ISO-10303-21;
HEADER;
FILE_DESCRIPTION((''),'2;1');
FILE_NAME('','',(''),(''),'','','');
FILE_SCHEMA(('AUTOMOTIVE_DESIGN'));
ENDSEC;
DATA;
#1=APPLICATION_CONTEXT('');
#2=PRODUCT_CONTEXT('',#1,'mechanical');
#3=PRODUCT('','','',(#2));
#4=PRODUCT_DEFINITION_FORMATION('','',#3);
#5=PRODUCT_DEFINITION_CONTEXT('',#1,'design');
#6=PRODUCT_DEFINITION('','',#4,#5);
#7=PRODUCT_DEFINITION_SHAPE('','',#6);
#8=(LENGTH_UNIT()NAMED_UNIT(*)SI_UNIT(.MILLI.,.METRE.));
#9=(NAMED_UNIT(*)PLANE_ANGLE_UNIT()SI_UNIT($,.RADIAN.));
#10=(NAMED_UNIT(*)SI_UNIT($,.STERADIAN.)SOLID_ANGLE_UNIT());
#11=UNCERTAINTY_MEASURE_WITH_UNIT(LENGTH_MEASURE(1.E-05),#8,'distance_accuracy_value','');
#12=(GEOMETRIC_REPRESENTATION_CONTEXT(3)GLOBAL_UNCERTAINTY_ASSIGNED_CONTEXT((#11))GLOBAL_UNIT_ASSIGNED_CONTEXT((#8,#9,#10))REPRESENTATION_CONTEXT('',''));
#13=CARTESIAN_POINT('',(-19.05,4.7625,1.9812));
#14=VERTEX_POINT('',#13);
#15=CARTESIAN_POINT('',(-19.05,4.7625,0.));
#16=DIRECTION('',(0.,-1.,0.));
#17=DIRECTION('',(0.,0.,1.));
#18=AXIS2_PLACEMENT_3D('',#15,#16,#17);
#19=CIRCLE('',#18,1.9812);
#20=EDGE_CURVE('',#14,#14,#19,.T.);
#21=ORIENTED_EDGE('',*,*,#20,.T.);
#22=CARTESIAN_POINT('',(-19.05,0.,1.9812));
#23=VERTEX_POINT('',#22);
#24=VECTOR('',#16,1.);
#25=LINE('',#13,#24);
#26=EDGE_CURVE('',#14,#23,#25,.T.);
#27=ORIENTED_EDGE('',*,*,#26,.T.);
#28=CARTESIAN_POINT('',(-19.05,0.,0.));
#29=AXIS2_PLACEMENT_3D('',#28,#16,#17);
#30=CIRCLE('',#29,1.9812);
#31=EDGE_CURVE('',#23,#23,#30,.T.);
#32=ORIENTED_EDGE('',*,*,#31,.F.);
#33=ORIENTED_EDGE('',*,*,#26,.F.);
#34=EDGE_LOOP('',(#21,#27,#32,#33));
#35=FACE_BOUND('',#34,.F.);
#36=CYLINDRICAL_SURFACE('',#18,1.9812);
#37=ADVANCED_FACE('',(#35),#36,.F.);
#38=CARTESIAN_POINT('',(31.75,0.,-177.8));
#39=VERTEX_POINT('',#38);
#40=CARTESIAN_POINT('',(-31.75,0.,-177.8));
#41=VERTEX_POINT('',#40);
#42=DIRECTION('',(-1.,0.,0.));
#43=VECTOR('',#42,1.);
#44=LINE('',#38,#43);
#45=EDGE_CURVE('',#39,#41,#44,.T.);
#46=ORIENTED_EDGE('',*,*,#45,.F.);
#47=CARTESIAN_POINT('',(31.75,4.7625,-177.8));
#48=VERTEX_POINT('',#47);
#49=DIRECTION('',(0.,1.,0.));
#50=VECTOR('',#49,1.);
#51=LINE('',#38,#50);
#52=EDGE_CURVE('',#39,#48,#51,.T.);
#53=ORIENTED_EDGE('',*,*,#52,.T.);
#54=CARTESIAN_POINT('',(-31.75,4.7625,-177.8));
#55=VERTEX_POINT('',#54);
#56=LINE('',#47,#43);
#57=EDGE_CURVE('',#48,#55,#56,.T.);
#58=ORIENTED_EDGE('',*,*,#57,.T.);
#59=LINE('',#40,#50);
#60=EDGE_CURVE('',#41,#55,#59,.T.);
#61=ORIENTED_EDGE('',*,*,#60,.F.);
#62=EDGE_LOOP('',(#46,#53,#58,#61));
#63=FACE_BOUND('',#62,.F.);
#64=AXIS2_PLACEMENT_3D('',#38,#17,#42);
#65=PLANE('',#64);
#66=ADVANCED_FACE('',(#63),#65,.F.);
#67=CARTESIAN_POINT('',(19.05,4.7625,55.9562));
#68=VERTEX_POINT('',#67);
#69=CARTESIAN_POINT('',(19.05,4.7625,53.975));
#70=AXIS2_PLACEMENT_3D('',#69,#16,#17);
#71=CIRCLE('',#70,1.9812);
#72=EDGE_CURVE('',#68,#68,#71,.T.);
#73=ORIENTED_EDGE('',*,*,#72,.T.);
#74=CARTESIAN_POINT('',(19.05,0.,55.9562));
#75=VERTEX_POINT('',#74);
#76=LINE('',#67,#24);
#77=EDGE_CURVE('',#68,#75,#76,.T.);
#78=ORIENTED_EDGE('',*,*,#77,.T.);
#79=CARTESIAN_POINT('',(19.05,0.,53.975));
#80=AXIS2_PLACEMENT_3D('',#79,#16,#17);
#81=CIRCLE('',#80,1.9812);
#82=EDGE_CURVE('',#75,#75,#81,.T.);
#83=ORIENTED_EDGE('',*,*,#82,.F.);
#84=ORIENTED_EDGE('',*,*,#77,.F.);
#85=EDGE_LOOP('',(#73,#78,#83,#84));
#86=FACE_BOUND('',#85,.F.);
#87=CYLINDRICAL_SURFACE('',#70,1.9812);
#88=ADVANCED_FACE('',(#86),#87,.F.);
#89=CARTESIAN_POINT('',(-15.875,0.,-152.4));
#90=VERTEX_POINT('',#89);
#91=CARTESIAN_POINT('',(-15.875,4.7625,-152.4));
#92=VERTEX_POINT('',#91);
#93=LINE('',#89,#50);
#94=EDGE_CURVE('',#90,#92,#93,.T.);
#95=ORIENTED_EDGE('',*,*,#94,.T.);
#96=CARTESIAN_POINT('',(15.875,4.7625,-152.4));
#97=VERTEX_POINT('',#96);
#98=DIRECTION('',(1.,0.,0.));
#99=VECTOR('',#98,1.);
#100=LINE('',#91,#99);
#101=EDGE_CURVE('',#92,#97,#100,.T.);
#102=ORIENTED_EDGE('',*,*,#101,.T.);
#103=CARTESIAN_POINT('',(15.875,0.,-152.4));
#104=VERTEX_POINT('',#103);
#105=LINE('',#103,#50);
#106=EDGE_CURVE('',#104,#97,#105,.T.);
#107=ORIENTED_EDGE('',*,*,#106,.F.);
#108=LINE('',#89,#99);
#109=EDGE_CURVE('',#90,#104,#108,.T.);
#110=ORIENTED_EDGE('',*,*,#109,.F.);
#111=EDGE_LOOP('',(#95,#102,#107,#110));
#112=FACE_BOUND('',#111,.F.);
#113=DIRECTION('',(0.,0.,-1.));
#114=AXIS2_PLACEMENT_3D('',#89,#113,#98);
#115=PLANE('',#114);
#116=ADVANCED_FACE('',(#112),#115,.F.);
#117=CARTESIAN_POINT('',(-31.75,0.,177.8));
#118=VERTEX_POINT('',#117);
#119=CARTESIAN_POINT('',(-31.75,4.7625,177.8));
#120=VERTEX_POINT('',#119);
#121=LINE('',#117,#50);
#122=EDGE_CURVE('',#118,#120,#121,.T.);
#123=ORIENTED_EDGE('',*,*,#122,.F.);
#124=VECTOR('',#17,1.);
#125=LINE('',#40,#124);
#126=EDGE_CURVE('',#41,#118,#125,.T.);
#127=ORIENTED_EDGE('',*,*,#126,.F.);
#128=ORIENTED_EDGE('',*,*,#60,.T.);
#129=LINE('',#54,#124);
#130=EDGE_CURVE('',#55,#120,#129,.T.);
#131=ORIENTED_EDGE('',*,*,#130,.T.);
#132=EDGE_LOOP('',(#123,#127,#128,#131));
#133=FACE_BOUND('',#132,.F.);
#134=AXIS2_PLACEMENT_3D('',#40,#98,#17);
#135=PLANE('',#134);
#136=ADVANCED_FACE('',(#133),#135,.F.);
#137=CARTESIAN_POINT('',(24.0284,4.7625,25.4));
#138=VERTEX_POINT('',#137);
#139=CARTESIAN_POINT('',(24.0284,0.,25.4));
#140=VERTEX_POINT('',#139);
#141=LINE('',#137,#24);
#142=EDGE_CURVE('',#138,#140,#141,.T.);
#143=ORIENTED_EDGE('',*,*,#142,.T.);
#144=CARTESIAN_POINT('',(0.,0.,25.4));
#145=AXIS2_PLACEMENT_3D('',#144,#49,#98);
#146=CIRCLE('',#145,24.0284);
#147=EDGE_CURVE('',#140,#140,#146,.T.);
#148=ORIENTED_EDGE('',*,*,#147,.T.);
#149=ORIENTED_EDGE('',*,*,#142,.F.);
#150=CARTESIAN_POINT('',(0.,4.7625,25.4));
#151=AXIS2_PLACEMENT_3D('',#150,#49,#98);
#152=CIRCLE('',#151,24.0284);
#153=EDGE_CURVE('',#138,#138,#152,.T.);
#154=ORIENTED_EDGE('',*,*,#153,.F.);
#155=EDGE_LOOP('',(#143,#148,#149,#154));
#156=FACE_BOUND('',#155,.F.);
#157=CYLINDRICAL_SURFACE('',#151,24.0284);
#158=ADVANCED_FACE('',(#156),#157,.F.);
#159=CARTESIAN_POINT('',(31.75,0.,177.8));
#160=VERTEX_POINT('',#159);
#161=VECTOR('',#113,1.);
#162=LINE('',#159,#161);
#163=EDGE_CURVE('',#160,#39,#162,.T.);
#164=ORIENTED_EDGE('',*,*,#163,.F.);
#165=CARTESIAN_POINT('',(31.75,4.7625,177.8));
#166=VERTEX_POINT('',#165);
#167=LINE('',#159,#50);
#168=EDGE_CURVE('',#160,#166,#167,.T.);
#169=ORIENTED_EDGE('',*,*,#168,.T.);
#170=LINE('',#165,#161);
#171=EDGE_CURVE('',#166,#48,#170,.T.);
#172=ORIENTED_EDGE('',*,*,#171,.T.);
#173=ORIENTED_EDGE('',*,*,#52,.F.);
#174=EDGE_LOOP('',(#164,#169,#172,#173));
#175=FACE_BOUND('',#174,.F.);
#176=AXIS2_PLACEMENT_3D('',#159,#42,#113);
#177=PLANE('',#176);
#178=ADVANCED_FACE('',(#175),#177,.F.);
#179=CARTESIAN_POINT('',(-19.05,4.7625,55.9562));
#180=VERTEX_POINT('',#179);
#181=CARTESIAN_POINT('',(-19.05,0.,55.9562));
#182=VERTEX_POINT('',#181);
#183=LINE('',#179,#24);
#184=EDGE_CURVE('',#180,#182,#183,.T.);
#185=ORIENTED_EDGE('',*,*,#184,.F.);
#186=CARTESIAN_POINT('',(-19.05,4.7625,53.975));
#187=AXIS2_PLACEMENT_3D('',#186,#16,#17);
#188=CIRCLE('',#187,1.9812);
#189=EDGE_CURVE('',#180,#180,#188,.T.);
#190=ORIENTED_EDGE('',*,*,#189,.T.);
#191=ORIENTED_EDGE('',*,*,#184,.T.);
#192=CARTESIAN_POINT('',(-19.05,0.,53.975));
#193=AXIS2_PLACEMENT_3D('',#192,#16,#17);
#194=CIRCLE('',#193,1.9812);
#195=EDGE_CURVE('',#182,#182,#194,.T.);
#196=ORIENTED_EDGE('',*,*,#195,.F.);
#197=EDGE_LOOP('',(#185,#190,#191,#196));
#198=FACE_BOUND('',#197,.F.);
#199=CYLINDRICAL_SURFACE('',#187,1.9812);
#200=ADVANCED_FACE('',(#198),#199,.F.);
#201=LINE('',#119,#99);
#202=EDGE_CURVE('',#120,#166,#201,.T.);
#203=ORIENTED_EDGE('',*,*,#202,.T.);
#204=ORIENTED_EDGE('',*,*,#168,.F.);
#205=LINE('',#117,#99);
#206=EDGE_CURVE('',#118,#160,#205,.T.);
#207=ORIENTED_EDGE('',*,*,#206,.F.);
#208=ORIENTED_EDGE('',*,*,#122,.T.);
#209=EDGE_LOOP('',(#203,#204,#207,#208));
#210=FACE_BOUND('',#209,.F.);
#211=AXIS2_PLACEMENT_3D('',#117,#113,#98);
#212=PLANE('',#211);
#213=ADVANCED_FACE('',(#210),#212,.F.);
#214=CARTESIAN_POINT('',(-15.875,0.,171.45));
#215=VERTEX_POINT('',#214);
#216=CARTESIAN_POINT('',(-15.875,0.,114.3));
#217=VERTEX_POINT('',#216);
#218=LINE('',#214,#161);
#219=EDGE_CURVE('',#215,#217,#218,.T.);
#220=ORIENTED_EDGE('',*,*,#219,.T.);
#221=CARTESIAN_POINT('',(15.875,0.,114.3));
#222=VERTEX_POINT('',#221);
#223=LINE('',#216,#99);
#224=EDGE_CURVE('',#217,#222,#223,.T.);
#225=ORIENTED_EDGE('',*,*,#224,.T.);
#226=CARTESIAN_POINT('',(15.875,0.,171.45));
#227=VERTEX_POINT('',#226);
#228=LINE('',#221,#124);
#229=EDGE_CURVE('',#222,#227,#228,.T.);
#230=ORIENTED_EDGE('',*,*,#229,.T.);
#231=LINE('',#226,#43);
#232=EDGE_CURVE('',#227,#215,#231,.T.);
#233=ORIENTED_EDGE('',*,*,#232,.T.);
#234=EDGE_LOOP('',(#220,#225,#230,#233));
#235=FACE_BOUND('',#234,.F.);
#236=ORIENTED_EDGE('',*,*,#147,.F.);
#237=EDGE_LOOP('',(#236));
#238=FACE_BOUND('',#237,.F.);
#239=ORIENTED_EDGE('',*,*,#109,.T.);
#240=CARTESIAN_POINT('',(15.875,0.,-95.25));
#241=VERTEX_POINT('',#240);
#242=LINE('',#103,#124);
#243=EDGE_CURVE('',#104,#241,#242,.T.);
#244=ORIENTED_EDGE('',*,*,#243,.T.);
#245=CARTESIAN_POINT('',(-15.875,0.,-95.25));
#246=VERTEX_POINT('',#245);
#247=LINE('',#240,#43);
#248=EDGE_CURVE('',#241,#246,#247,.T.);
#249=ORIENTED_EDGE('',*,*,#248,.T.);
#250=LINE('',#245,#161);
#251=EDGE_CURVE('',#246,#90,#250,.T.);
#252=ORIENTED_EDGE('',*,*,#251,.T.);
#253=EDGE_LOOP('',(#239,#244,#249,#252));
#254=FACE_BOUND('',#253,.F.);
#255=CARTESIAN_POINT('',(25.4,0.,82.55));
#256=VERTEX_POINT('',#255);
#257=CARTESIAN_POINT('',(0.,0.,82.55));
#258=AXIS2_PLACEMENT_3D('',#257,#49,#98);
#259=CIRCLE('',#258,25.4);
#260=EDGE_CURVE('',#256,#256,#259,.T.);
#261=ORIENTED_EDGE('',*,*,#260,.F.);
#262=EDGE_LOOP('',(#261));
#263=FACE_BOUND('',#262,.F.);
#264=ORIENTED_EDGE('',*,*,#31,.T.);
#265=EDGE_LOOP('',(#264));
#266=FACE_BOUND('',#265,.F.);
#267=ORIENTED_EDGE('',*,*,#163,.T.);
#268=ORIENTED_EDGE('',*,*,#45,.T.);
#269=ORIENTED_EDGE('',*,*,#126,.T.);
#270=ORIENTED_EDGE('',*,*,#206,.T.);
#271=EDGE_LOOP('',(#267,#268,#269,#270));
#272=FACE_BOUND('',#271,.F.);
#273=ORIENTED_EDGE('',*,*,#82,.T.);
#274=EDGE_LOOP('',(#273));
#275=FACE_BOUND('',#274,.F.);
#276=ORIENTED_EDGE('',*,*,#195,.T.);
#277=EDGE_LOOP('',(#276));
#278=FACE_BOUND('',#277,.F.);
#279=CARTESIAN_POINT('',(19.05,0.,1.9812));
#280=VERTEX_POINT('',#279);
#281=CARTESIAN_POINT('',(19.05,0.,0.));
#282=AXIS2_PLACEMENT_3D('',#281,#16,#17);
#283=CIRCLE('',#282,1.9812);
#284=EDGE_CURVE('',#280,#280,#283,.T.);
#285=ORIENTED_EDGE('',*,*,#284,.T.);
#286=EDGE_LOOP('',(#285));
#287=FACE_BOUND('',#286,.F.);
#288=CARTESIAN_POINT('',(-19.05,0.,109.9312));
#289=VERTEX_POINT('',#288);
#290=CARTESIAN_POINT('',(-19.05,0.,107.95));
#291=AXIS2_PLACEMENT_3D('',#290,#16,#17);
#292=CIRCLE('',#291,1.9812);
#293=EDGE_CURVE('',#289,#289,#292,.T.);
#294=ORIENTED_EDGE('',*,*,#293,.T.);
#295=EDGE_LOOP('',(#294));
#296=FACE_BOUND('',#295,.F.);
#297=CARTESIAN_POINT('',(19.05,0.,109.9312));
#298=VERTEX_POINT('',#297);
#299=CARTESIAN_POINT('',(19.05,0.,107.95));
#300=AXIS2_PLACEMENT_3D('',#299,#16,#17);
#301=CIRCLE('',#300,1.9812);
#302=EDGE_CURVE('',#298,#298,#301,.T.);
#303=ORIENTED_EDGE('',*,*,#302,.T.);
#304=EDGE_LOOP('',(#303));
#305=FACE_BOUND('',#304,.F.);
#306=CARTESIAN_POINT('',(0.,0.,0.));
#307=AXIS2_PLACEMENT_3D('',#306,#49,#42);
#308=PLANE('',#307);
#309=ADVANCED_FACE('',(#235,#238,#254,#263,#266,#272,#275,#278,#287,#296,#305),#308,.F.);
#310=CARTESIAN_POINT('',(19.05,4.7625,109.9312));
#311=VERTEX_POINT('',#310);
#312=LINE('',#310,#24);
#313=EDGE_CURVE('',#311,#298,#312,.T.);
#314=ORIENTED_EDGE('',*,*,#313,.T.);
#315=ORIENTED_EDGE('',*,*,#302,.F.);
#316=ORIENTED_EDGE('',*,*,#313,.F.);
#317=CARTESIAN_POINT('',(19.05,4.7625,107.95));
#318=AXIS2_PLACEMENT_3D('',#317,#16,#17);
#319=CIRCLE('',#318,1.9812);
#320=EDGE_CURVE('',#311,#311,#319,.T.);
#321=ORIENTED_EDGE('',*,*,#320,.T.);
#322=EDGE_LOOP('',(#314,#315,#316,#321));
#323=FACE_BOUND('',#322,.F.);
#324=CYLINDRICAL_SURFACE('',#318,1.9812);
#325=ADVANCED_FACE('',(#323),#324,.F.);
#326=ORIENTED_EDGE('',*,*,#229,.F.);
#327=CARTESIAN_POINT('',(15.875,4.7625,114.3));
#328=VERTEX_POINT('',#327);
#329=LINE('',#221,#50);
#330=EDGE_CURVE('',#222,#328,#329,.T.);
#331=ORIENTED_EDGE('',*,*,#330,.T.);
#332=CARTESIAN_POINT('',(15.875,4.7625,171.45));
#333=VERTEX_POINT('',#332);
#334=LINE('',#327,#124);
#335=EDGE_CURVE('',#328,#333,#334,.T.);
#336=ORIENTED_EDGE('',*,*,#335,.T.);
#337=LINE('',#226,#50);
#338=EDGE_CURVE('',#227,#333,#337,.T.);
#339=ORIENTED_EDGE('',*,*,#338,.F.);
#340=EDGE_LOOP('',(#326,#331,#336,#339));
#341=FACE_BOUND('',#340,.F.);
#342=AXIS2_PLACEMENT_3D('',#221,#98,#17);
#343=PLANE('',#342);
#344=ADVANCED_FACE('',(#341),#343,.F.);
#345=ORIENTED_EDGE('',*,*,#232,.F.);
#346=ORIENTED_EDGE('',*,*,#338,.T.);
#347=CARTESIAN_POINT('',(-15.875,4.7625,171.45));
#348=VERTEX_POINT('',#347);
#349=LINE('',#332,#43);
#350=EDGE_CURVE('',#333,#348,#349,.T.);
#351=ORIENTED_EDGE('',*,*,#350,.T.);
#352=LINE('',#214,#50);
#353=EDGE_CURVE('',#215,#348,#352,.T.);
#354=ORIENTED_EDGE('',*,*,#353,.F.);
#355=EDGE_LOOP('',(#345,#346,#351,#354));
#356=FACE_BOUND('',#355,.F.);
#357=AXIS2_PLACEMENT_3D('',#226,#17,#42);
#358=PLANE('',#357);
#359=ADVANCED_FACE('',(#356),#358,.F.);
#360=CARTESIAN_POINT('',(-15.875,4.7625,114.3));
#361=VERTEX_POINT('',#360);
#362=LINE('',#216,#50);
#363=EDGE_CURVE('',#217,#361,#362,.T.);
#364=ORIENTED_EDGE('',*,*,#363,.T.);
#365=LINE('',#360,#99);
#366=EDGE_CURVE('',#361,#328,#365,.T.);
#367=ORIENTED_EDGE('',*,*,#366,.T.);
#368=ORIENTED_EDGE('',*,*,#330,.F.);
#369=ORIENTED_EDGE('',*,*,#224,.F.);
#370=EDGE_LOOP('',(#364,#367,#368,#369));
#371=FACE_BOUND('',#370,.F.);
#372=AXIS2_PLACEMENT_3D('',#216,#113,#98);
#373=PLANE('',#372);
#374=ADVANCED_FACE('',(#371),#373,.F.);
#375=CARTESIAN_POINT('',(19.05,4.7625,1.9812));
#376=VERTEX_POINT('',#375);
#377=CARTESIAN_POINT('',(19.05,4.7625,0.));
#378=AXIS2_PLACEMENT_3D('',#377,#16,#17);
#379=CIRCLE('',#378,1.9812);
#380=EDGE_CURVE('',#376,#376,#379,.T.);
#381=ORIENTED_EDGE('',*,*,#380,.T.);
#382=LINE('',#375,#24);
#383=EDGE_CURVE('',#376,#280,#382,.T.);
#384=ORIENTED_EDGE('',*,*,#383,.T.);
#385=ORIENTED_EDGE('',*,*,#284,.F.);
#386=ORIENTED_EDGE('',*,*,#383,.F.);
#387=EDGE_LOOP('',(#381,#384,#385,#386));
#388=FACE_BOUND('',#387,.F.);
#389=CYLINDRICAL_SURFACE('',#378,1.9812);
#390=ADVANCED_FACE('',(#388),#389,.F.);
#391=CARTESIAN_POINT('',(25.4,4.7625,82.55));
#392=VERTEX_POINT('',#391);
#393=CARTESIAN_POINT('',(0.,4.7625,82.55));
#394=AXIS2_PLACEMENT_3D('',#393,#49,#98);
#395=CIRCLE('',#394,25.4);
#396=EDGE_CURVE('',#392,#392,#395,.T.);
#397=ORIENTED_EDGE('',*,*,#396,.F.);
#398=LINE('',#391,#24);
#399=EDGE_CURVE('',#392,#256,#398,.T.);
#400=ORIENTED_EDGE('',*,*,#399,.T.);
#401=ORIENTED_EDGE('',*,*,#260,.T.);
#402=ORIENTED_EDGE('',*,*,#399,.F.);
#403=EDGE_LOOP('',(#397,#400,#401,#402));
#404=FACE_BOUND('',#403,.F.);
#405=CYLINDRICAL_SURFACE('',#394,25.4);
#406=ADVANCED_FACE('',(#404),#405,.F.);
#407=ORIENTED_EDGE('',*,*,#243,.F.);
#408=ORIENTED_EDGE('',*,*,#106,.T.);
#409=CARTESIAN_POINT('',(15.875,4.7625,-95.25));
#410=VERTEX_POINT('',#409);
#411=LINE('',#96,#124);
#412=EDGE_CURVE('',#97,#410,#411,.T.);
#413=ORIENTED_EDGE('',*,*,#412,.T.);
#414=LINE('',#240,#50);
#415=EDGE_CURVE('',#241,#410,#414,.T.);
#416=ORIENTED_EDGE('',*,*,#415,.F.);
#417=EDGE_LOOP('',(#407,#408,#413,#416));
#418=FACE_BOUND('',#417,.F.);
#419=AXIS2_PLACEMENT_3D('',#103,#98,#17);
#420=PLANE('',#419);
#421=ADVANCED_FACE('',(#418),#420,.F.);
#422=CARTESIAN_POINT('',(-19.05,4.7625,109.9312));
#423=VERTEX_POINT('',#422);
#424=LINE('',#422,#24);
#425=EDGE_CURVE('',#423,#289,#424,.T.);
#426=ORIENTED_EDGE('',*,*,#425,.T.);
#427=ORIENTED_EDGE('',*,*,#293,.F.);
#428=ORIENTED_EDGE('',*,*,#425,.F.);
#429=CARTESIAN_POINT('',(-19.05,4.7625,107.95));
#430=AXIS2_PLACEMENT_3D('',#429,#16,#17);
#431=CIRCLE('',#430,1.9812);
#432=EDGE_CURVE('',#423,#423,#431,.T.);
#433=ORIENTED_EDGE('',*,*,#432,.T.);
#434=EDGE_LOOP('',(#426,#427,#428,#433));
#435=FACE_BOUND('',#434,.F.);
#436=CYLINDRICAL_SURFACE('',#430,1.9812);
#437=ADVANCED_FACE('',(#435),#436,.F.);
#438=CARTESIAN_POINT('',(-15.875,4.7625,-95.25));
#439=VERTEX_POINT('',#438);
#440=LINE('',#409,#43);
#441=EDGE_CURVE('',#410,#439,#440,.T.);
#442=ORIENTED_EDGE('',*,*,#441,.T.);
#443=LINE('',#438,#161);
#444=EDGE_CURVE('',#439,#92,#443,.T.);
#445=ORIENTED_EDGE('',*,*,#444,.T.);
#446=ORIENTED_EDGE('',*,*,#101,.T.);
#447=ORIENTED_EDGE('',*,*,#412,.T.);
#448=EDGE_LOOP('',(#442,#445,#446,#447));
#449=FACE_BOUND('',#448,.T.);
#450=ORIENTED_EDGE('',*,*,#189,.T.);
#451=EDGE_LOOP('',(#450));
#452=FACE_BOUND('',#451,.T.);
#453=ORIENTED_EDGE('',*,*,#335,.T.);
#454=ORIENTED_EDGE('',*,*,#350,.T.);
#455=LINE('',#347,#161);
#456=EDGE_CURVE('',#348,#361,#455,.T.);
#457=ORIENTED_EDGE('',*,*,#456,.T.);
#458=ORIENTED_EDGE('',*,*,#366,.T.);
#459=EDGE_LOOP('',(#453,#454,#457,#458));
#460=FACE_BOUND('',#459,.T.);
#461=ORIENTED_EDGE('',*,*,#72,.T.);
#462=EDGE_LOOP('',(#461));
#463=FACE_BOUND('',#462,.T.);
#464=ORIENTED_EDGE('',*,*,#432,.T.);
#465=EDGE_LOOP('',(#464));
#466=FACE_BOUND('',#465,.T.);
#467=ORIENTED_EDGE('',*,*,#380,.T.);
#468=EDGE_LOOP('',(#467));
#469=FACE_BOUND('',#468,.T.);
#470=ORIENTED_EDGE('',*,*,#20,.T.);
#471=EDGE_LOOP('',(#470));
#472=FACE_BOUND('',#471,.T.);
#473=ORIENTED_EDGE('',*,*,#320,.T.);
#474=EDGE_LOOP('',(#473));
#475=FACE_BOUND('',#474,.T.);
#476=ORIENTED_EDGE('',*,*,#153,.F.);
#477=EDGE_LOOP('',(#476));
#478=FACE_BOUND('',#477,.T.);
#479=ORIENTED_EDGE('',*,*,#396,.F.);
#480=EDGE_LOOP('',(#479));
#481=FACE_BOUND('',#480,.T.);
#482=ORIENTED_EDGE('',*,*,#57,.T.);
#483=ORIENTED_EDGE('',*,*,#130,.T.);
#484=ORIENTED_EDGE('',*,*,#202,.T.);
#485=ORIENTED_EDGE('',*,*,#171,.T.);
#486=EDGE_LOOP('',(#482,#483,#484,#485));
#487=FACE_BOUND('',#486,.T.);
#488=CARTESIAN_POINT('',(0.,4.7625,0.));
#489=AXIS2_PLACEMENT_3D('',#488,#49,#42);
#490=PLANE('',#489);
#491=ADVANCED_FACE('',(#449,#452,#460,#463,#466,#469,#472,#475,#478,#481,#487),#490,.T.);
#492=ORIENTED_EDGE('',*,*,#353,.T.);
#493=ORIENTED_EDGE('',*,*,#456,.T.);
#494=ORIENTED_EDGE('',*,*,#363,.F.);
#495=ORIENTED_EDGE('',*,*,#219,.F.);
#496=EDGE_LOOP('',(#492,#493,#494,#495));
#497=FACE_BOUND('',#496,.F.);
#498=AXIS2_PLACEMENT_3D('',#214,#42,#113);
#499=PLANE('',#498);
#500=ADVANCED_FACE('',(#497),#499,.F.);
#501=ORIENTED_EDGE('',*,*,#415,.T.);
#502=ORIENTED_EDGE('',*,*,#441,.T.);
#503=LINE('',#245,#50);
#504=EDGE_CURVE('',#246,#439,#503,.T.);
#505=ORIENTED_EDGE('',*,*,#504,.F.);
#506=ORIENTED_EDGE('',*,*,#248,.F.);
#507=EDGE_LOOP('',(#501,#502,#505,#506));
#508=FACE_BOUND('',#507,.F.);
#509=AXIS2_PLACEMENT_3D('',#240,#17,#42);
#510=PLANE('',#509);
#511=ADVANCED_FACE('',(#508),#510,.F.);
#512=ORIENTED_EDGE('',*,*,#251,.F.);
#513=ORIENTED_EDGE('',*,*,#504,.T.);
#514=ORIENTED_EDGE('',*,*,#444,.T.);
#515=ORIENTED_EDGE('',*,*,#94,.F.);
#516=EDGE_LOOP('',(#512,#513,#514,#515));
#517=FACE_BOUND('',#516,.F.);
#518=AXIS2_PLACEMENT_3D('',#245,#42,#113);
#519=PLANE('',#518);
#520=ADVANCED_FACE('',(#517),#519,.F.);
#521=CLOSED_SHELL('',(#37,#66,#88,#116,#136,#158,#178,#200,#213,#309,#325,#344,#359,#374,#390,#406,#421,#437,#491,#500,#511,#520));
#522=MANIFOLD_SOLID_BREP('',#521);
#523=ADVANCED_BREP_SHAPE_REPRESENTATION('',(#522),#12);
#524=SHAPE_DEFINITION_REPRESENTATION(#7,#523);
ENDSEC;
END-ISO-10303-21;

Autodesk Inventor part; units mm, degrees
ref_plane "YZ Plane" through (0, 0, 0) normal (1, 0, 0) x (0, 1, 0)
ref_plane "XZ Plane" through (0, 0, 0) normal (0, 1, 0) x (-1, 0, 0)
ref_plane "XY Plane" through (0, 0, 0) normal (0, 0, 1) x (1, 0, 0)
sketch "Sketch1" plane through (0, 0, 0) normal (0, 1, 0) x (-1, 0, 0)
  line L0 (-31.75, -177.8) -> (31.75, -177.8)
  line L1 (31.75, -177.8) -> (31.75, 177.8)
  line L2 (31.75, 177.8) -> (-31.75, 177.8)
  line L3 (-31.75, 177.8) -> (-31.75, -177.8)
  line L4 (-31.75, -177.8) -> (31.75, 177.8) construction
  line L5 (31.75, -177.8) -> (-31.75, 177.8) construction
  line L6 (15.875, -152.4) -> (-15.875, -152.4)
  line L7 (-15.875, -152.4) -> (-15.875, -95.25)
  line L8 (-15.875, -95.25) -> (15.875, -95.25)
  line L9 (15.875, -95.25) -> (15.875, -152.4)
  line L10 (-15.875, 171.45) -> (15.875, 171.45)
  line L11 (15.875, 171.45) -> (15.875, 114.3)
  line L12 (15.875, 114.3) -> (-15.875, 114.3)
  line L13 (-15.875, 114.3) -> (-15.875, 171.45)
  point P0 (0, 0)
  point P1 (0, -95.25)
  point P2 (0, 114.3)
  dimension "d0" = 31.75
  dimension "d1" = 57.15
  dimension "d2" = 355.6
  dimension "d3" = 25.4
  dimension "d4" = 63.5
  dimension "d6" = 6.35
extrude "Plate1" add sketch "Sketch1" along normal blind 4.7625
sketch "Sketch2" plane through (0, 4.7625, 0) normal (0, 1, 0) x (1, 0, 0)
  circle A0 centre (0, -82.55) radius 25.4
  circle A1 centre (0, -25.4) radius 24.0284
  point P0 (0, 0)
  dimension "d7" = 50.8
  dimension "d8" = 82.55
  dimension "d9" = 48.0568
  dimension "d10" = 57.15
extrude "Cut1" cut sketch "Sketch2" against normal blind 4.7625
sketch "Sketch3" plane through (0, 4.7625, 0) normal (0, 1, 0) x (1, 0, 0)
  line L0 (31.75, 177.8) -> (31.75, -177.8) construction
  line L1 (31.75, -177.8) -> (-31.75, -177.8) construction
  circle A0 centre (0, -82.55) radius 25.4 projected
  point P0 (0, 0)
  point P1 (19.05, -107.95)
  point P2 (-19.05, -107.95)
  point P3 (19.05, -53.975)
  point P4 (-19.05, -53.975)
  point P5 (19.05, 0)
  point P6 (-19.05, 0)
  dimension "d13" = 12.7
  dimension "d16" = 38.1
  dimension "d19" = 53.975
  dimension "d22" = 28.575
hole "Hole1" at (19.05, 4.7625, 107.95) at (-19.05, 4.7625, 107.95) at (19.05, 4.7625, 53.975) at (-19.05, 4.7625, 53.975) at (19.05, 4.7625, 0) at (-19.05, 4.7625, 0) direction (0, -1, 0) diameter 3.9624 end through all thread size "10-32 UNF" class "2B" standard "ANSI Unified Screw Threads"
equation "\"d11\" = Thickness"
equation "\"d28\" = Thickness"
equation "\"d5\" = Thickness"
equation "\"BendRadius\" = Thickness"
equation "\"BendReliefWidth\" = Thickness"
equation "\"BendReliefDepth\" = 0.5 * Thickness"
equation "\"CornerReliefSize\" = 4 * Thickness"
equation "\"MinimumRemnant\" = 2 * Thickness"
equation "\"TransitionRadius\" = BendRadius"
equation "\"JacobiRadiusSize\" = BendRadius"
equation "\"GapSize\" = Thickness"
equation "\"Thickness\" = 4.7625"
properties part number "PLATE,FRONT" material "Aluminum 6061"
